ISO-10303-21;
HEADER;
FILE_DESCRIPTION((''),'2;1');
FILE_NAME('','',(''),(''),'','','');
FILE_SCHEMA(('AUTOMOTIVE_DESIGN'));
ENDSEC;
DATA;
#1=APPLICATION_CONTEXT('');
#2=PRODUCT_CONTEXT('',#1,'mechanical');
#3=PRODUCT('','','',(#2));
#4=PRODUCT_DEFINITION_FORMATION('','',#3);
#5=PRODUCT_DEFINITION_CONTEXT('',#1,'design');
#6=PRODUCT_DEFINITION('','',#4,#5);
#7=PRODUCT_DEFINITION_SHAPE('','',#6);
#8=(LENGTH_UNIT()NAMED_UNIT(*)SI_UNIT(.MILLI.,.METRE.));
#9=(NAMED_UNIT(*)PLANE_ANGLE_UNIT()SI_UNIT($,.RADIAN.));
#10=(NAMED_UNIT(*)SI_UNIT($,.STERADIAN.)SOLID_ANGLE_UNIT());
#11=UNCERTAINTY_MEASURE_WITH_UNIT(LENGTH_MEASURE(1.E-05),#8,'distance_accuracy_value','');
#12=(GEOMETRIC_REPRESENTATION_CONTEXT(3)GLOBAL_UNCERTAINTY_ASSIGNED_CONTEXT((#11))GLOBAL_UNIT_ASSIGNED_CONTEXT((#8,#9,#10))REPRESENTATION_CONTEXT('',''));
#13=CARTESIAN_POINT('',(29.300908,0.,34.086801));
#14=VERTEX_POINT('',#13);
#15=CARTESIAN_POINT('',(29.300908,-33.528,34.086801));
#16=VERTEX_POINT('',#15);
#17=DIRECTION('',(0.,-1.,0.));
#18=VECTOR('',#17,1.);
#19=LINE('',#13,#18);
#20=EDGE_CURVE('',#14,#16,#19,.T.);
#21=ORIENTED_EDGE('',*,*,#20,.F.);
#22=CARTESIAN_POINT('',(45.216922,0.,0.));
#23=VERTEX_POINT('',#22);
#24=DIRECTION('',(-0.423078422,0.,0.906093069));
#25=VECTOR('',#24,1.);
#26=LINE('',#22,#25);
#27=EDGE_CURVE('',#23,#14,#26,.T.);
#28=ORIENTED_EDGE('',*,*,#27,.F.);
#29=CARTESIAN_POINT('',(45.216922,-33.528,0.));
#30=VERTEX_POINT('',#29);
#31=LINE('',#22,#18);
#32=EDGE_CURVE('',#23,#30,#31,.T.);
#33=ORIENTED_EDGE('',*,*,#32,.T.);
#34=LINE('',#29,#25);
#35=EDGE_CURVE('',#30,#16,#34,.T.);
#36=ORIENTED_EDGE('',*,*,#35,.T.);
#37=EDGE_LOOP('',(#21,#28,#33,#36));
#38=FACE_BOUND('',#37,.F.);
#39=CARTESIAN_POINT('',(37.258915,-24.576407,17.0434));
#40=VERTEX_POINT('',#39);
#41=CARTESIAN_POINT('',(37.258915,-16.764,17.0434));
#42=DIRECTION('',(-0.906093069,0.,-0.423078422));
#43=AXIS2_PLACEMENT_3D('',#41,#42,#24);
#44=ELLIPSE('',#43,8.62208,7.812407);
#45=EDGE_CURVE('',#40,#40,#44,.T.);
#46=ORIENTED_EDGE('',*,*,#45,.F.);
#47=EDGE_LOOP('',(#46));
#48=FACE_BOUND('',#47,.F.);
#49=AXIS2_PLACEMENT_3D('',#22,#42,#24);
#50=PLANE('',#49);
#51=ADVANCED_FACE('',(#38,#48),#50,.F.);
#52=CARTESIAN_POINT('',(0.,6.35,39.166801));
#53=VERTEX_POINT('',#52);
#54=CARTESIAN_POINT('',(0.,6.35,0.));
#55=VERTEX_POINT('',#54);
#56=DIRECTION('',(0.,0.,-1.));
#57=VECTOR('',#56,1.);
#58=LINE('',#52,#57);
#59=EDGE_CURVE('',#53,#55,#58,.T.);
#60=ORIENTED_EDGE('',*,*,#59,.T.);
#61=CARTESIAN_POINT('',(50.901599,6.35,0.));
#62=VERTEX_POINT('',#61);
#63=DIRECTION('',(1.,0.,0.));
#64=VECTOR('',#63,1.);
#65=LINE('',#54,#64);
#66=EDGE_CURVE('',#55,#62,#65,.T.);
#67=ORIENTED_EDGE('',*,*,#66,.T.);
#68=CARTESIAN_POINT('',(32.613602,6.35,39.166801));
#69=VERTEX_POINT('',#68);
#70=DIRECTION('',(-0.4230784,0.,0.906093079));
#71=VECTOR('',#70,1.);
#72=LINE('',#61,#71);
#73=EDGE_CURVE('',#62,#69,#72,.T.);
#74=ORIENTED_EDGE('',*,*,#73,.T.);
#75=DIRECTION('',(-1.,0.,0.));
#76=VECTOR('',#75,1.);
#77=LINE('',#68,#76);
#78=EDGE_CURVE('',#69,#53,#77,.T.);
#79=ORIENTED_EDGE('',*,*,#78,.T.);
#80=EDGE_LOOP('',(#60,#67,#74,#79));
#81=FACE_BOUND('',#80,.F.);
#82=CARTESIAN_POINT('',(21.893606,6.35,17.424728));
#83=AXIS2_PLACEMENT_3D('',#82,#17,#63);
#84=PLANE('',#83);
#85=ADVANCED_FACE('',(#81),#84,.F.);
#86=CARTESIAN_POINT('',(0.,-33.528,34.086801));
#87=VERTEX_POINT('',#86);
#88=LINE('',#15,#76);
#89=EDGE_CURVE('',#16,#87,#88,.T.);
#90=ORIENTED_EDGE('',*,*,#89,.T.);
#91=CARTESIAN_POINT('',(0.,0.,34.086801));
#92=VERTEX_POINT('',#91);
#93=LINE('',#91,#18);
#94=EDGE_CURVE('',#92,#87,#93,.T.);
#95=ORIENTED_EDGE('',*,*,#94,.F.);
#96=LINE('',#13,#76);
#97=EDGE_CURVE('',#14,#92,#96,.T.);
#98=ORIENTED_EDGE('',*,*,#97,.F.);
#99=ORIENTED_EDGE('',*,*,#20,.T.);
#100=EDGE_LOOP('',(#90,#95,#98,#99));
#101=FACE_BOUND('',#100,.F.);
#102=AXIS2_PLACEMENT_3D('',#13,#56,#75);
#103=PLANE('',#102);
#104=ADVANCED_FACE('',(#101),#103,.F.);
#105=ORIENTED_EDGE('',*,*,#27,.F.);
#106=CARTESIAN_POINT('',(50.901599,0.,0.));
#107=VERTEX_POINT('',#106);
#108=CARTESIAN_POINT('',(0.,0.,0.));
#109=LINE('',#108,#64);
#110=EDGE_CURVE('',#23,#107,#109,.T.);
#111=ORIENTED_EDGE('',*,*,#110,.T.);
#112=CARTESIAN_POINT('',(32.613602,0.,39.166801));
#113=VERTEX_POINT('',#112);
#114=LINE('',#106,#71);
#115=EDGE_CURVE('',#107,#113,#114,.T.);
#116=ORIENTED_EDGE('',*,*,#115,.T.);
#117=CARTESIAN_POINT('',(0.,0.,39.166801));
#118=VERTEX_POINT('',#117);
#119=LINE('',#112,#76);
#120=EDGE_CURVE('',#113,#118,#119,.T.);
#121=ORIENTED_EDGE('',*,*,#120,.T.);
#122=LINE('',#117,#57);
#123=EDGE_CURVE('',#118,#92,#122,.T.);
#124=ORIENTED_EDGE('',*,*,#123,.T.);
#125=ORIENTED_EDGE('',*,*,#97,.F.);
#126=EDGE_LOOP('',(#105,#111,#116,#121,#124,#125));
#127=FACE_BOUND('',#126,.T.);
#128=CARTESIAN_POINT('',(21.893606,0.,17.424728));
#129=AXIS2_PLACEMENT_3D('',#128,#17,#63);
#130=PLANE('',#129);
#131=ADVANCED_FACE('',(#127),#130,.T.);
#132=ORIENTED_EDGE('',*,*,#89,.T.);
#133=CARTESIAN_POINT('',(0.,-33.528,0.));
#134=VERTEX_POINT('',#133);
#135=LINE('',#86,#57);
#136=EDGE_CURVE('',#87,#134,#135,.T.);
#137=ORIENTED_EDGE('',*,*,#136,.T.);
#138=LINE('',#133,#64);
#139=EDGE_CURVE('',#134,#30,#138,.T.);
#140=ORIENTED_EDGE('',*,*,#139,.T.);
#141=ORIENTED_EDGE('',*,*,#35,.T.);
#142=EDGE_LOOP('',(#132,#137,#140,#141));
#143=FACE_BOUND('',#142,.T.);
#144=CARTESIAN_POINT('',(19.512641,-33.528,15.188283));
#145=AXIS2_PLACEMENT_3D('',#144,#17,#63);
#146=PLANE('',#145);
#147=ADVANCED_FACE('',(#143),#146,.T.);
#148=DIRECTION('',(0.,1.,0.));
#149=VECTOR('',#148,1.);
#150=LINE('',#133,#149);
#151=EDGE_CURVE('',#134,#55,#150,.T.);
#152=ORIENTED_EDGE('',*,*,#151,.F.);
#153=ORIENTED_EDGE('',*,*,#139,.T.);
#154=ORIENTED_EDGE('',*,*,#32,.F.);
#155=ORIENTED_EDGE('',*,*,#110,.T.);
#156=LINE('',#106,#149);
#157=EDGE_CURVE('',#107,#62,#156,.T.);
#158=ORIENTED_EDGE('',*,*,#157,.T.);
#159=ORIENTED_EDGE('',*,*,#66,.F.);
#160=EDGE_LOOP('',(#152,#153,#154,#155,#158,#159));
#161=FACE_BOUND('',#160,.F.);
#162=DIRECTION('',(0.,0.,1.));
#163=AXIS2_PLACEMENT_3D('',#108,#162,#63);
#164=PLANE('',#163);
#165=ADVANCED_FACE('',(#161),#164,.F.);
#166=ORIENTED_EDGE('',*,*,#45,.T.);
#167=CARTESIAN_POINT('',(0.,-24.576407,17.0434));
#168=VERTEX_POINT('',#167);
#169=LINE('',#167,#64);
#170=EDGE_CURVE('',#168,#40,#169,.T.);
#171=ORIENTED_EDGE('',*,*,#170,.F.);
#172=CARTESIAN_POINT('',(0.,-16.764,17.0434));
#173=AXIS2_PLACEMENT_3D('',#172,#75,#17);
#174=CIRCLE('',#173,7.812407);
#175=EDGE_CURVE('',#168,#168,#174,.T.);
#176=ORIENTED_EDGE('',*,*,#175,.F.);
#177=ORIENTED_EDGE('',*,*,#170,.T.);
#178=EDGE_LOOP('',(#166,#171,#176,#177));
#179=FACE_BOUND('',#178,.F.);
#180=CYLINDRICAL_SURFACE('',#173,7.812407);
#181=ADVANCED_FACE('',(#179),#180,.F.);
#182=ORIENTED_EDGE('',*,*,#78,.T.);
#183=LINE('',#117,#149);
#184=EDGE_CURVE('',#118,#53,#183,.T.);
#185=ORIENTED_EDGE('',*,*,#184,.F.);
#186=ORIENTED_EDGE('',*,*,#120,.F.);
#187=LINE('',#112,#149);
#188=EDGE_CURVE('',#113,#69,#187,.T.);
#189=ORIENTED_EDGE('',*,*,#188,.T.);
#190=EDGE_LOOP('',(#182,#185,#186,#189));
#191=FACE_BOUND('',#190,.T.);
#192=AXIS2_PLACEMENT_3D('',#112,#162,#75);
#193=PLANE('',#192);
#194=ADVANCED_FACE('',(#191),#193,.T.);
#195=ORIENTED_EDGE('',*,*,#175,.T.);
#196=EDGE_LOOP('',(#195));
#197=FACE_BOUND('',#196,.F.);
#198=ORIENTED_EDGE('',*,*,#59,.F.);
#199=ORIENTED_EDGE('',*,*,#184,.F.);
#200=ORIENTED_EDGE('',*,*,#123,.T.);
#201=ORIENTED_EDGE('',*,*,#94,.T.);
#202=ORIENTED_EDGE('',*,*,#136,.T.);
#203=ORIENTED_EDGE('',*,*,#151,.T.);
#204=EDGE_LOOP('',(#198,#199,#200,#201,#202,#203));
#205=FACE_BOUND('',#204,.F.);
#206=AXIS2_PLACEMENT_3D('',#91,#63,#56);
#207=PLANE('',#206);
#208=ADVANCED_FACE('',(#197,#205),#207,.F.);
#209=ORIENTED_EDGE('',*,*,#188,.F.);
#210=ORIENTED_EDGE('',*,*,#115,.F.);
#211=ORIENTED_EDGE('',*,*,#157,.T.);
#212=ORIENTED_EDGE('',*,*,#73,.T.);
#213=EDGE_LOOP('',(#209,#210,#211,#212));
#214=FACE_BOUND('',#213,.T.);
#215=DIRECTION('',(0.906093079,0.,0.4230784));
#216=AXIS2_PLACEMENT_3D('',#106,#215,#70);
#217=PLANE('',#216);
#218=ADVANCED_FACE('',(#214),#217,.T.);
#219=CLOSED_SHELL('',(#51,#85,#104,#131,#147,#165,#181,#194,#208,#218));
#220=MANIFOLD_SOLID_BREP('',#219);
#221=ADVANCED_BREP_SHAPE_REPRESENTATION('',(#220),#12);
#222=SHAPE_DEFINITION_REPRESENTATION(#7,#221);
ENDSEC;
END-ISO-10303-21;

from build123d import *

# Parameters (mm, degrees)
F1_DEPTH = 6.35
F3_DEPTH = 33.528
F4_R     = 7.812407
F5_DEPTH = 76.2


with BuildPart() as f1:
    # F0 (on Front) → F1 (new body)
    with BuildSketch(Plane.XZ):
        Polygon((0, 39.166801), (0, 0), (50.901599, 0), (32.613602, 39.166801), align=None)
    extrude(amount=-F1_DEPTH)

    # F2 (on face) → F3 (join)
    with BuildSketch(Plane.XZ):
        Polygon((45.216922, 0), (29.300908, 34.086801), (0, 34.086801), (0, 0), align=None)
    extrude(amount=F3_DEPTH)

    # F4 (on face) → F5 (cut)
    with BuildSketch(Plane(origin=(0, 0, 0), x_dir=(0, -1, 0), z_dir=(-1, 0, 0))):
        with Locations((16.764, 17.0434)):
            Circle(F4_R)
    extrude(amount=-F5_DEPTH, mode=Mode.SUBTRACT)


solid = f1.part
